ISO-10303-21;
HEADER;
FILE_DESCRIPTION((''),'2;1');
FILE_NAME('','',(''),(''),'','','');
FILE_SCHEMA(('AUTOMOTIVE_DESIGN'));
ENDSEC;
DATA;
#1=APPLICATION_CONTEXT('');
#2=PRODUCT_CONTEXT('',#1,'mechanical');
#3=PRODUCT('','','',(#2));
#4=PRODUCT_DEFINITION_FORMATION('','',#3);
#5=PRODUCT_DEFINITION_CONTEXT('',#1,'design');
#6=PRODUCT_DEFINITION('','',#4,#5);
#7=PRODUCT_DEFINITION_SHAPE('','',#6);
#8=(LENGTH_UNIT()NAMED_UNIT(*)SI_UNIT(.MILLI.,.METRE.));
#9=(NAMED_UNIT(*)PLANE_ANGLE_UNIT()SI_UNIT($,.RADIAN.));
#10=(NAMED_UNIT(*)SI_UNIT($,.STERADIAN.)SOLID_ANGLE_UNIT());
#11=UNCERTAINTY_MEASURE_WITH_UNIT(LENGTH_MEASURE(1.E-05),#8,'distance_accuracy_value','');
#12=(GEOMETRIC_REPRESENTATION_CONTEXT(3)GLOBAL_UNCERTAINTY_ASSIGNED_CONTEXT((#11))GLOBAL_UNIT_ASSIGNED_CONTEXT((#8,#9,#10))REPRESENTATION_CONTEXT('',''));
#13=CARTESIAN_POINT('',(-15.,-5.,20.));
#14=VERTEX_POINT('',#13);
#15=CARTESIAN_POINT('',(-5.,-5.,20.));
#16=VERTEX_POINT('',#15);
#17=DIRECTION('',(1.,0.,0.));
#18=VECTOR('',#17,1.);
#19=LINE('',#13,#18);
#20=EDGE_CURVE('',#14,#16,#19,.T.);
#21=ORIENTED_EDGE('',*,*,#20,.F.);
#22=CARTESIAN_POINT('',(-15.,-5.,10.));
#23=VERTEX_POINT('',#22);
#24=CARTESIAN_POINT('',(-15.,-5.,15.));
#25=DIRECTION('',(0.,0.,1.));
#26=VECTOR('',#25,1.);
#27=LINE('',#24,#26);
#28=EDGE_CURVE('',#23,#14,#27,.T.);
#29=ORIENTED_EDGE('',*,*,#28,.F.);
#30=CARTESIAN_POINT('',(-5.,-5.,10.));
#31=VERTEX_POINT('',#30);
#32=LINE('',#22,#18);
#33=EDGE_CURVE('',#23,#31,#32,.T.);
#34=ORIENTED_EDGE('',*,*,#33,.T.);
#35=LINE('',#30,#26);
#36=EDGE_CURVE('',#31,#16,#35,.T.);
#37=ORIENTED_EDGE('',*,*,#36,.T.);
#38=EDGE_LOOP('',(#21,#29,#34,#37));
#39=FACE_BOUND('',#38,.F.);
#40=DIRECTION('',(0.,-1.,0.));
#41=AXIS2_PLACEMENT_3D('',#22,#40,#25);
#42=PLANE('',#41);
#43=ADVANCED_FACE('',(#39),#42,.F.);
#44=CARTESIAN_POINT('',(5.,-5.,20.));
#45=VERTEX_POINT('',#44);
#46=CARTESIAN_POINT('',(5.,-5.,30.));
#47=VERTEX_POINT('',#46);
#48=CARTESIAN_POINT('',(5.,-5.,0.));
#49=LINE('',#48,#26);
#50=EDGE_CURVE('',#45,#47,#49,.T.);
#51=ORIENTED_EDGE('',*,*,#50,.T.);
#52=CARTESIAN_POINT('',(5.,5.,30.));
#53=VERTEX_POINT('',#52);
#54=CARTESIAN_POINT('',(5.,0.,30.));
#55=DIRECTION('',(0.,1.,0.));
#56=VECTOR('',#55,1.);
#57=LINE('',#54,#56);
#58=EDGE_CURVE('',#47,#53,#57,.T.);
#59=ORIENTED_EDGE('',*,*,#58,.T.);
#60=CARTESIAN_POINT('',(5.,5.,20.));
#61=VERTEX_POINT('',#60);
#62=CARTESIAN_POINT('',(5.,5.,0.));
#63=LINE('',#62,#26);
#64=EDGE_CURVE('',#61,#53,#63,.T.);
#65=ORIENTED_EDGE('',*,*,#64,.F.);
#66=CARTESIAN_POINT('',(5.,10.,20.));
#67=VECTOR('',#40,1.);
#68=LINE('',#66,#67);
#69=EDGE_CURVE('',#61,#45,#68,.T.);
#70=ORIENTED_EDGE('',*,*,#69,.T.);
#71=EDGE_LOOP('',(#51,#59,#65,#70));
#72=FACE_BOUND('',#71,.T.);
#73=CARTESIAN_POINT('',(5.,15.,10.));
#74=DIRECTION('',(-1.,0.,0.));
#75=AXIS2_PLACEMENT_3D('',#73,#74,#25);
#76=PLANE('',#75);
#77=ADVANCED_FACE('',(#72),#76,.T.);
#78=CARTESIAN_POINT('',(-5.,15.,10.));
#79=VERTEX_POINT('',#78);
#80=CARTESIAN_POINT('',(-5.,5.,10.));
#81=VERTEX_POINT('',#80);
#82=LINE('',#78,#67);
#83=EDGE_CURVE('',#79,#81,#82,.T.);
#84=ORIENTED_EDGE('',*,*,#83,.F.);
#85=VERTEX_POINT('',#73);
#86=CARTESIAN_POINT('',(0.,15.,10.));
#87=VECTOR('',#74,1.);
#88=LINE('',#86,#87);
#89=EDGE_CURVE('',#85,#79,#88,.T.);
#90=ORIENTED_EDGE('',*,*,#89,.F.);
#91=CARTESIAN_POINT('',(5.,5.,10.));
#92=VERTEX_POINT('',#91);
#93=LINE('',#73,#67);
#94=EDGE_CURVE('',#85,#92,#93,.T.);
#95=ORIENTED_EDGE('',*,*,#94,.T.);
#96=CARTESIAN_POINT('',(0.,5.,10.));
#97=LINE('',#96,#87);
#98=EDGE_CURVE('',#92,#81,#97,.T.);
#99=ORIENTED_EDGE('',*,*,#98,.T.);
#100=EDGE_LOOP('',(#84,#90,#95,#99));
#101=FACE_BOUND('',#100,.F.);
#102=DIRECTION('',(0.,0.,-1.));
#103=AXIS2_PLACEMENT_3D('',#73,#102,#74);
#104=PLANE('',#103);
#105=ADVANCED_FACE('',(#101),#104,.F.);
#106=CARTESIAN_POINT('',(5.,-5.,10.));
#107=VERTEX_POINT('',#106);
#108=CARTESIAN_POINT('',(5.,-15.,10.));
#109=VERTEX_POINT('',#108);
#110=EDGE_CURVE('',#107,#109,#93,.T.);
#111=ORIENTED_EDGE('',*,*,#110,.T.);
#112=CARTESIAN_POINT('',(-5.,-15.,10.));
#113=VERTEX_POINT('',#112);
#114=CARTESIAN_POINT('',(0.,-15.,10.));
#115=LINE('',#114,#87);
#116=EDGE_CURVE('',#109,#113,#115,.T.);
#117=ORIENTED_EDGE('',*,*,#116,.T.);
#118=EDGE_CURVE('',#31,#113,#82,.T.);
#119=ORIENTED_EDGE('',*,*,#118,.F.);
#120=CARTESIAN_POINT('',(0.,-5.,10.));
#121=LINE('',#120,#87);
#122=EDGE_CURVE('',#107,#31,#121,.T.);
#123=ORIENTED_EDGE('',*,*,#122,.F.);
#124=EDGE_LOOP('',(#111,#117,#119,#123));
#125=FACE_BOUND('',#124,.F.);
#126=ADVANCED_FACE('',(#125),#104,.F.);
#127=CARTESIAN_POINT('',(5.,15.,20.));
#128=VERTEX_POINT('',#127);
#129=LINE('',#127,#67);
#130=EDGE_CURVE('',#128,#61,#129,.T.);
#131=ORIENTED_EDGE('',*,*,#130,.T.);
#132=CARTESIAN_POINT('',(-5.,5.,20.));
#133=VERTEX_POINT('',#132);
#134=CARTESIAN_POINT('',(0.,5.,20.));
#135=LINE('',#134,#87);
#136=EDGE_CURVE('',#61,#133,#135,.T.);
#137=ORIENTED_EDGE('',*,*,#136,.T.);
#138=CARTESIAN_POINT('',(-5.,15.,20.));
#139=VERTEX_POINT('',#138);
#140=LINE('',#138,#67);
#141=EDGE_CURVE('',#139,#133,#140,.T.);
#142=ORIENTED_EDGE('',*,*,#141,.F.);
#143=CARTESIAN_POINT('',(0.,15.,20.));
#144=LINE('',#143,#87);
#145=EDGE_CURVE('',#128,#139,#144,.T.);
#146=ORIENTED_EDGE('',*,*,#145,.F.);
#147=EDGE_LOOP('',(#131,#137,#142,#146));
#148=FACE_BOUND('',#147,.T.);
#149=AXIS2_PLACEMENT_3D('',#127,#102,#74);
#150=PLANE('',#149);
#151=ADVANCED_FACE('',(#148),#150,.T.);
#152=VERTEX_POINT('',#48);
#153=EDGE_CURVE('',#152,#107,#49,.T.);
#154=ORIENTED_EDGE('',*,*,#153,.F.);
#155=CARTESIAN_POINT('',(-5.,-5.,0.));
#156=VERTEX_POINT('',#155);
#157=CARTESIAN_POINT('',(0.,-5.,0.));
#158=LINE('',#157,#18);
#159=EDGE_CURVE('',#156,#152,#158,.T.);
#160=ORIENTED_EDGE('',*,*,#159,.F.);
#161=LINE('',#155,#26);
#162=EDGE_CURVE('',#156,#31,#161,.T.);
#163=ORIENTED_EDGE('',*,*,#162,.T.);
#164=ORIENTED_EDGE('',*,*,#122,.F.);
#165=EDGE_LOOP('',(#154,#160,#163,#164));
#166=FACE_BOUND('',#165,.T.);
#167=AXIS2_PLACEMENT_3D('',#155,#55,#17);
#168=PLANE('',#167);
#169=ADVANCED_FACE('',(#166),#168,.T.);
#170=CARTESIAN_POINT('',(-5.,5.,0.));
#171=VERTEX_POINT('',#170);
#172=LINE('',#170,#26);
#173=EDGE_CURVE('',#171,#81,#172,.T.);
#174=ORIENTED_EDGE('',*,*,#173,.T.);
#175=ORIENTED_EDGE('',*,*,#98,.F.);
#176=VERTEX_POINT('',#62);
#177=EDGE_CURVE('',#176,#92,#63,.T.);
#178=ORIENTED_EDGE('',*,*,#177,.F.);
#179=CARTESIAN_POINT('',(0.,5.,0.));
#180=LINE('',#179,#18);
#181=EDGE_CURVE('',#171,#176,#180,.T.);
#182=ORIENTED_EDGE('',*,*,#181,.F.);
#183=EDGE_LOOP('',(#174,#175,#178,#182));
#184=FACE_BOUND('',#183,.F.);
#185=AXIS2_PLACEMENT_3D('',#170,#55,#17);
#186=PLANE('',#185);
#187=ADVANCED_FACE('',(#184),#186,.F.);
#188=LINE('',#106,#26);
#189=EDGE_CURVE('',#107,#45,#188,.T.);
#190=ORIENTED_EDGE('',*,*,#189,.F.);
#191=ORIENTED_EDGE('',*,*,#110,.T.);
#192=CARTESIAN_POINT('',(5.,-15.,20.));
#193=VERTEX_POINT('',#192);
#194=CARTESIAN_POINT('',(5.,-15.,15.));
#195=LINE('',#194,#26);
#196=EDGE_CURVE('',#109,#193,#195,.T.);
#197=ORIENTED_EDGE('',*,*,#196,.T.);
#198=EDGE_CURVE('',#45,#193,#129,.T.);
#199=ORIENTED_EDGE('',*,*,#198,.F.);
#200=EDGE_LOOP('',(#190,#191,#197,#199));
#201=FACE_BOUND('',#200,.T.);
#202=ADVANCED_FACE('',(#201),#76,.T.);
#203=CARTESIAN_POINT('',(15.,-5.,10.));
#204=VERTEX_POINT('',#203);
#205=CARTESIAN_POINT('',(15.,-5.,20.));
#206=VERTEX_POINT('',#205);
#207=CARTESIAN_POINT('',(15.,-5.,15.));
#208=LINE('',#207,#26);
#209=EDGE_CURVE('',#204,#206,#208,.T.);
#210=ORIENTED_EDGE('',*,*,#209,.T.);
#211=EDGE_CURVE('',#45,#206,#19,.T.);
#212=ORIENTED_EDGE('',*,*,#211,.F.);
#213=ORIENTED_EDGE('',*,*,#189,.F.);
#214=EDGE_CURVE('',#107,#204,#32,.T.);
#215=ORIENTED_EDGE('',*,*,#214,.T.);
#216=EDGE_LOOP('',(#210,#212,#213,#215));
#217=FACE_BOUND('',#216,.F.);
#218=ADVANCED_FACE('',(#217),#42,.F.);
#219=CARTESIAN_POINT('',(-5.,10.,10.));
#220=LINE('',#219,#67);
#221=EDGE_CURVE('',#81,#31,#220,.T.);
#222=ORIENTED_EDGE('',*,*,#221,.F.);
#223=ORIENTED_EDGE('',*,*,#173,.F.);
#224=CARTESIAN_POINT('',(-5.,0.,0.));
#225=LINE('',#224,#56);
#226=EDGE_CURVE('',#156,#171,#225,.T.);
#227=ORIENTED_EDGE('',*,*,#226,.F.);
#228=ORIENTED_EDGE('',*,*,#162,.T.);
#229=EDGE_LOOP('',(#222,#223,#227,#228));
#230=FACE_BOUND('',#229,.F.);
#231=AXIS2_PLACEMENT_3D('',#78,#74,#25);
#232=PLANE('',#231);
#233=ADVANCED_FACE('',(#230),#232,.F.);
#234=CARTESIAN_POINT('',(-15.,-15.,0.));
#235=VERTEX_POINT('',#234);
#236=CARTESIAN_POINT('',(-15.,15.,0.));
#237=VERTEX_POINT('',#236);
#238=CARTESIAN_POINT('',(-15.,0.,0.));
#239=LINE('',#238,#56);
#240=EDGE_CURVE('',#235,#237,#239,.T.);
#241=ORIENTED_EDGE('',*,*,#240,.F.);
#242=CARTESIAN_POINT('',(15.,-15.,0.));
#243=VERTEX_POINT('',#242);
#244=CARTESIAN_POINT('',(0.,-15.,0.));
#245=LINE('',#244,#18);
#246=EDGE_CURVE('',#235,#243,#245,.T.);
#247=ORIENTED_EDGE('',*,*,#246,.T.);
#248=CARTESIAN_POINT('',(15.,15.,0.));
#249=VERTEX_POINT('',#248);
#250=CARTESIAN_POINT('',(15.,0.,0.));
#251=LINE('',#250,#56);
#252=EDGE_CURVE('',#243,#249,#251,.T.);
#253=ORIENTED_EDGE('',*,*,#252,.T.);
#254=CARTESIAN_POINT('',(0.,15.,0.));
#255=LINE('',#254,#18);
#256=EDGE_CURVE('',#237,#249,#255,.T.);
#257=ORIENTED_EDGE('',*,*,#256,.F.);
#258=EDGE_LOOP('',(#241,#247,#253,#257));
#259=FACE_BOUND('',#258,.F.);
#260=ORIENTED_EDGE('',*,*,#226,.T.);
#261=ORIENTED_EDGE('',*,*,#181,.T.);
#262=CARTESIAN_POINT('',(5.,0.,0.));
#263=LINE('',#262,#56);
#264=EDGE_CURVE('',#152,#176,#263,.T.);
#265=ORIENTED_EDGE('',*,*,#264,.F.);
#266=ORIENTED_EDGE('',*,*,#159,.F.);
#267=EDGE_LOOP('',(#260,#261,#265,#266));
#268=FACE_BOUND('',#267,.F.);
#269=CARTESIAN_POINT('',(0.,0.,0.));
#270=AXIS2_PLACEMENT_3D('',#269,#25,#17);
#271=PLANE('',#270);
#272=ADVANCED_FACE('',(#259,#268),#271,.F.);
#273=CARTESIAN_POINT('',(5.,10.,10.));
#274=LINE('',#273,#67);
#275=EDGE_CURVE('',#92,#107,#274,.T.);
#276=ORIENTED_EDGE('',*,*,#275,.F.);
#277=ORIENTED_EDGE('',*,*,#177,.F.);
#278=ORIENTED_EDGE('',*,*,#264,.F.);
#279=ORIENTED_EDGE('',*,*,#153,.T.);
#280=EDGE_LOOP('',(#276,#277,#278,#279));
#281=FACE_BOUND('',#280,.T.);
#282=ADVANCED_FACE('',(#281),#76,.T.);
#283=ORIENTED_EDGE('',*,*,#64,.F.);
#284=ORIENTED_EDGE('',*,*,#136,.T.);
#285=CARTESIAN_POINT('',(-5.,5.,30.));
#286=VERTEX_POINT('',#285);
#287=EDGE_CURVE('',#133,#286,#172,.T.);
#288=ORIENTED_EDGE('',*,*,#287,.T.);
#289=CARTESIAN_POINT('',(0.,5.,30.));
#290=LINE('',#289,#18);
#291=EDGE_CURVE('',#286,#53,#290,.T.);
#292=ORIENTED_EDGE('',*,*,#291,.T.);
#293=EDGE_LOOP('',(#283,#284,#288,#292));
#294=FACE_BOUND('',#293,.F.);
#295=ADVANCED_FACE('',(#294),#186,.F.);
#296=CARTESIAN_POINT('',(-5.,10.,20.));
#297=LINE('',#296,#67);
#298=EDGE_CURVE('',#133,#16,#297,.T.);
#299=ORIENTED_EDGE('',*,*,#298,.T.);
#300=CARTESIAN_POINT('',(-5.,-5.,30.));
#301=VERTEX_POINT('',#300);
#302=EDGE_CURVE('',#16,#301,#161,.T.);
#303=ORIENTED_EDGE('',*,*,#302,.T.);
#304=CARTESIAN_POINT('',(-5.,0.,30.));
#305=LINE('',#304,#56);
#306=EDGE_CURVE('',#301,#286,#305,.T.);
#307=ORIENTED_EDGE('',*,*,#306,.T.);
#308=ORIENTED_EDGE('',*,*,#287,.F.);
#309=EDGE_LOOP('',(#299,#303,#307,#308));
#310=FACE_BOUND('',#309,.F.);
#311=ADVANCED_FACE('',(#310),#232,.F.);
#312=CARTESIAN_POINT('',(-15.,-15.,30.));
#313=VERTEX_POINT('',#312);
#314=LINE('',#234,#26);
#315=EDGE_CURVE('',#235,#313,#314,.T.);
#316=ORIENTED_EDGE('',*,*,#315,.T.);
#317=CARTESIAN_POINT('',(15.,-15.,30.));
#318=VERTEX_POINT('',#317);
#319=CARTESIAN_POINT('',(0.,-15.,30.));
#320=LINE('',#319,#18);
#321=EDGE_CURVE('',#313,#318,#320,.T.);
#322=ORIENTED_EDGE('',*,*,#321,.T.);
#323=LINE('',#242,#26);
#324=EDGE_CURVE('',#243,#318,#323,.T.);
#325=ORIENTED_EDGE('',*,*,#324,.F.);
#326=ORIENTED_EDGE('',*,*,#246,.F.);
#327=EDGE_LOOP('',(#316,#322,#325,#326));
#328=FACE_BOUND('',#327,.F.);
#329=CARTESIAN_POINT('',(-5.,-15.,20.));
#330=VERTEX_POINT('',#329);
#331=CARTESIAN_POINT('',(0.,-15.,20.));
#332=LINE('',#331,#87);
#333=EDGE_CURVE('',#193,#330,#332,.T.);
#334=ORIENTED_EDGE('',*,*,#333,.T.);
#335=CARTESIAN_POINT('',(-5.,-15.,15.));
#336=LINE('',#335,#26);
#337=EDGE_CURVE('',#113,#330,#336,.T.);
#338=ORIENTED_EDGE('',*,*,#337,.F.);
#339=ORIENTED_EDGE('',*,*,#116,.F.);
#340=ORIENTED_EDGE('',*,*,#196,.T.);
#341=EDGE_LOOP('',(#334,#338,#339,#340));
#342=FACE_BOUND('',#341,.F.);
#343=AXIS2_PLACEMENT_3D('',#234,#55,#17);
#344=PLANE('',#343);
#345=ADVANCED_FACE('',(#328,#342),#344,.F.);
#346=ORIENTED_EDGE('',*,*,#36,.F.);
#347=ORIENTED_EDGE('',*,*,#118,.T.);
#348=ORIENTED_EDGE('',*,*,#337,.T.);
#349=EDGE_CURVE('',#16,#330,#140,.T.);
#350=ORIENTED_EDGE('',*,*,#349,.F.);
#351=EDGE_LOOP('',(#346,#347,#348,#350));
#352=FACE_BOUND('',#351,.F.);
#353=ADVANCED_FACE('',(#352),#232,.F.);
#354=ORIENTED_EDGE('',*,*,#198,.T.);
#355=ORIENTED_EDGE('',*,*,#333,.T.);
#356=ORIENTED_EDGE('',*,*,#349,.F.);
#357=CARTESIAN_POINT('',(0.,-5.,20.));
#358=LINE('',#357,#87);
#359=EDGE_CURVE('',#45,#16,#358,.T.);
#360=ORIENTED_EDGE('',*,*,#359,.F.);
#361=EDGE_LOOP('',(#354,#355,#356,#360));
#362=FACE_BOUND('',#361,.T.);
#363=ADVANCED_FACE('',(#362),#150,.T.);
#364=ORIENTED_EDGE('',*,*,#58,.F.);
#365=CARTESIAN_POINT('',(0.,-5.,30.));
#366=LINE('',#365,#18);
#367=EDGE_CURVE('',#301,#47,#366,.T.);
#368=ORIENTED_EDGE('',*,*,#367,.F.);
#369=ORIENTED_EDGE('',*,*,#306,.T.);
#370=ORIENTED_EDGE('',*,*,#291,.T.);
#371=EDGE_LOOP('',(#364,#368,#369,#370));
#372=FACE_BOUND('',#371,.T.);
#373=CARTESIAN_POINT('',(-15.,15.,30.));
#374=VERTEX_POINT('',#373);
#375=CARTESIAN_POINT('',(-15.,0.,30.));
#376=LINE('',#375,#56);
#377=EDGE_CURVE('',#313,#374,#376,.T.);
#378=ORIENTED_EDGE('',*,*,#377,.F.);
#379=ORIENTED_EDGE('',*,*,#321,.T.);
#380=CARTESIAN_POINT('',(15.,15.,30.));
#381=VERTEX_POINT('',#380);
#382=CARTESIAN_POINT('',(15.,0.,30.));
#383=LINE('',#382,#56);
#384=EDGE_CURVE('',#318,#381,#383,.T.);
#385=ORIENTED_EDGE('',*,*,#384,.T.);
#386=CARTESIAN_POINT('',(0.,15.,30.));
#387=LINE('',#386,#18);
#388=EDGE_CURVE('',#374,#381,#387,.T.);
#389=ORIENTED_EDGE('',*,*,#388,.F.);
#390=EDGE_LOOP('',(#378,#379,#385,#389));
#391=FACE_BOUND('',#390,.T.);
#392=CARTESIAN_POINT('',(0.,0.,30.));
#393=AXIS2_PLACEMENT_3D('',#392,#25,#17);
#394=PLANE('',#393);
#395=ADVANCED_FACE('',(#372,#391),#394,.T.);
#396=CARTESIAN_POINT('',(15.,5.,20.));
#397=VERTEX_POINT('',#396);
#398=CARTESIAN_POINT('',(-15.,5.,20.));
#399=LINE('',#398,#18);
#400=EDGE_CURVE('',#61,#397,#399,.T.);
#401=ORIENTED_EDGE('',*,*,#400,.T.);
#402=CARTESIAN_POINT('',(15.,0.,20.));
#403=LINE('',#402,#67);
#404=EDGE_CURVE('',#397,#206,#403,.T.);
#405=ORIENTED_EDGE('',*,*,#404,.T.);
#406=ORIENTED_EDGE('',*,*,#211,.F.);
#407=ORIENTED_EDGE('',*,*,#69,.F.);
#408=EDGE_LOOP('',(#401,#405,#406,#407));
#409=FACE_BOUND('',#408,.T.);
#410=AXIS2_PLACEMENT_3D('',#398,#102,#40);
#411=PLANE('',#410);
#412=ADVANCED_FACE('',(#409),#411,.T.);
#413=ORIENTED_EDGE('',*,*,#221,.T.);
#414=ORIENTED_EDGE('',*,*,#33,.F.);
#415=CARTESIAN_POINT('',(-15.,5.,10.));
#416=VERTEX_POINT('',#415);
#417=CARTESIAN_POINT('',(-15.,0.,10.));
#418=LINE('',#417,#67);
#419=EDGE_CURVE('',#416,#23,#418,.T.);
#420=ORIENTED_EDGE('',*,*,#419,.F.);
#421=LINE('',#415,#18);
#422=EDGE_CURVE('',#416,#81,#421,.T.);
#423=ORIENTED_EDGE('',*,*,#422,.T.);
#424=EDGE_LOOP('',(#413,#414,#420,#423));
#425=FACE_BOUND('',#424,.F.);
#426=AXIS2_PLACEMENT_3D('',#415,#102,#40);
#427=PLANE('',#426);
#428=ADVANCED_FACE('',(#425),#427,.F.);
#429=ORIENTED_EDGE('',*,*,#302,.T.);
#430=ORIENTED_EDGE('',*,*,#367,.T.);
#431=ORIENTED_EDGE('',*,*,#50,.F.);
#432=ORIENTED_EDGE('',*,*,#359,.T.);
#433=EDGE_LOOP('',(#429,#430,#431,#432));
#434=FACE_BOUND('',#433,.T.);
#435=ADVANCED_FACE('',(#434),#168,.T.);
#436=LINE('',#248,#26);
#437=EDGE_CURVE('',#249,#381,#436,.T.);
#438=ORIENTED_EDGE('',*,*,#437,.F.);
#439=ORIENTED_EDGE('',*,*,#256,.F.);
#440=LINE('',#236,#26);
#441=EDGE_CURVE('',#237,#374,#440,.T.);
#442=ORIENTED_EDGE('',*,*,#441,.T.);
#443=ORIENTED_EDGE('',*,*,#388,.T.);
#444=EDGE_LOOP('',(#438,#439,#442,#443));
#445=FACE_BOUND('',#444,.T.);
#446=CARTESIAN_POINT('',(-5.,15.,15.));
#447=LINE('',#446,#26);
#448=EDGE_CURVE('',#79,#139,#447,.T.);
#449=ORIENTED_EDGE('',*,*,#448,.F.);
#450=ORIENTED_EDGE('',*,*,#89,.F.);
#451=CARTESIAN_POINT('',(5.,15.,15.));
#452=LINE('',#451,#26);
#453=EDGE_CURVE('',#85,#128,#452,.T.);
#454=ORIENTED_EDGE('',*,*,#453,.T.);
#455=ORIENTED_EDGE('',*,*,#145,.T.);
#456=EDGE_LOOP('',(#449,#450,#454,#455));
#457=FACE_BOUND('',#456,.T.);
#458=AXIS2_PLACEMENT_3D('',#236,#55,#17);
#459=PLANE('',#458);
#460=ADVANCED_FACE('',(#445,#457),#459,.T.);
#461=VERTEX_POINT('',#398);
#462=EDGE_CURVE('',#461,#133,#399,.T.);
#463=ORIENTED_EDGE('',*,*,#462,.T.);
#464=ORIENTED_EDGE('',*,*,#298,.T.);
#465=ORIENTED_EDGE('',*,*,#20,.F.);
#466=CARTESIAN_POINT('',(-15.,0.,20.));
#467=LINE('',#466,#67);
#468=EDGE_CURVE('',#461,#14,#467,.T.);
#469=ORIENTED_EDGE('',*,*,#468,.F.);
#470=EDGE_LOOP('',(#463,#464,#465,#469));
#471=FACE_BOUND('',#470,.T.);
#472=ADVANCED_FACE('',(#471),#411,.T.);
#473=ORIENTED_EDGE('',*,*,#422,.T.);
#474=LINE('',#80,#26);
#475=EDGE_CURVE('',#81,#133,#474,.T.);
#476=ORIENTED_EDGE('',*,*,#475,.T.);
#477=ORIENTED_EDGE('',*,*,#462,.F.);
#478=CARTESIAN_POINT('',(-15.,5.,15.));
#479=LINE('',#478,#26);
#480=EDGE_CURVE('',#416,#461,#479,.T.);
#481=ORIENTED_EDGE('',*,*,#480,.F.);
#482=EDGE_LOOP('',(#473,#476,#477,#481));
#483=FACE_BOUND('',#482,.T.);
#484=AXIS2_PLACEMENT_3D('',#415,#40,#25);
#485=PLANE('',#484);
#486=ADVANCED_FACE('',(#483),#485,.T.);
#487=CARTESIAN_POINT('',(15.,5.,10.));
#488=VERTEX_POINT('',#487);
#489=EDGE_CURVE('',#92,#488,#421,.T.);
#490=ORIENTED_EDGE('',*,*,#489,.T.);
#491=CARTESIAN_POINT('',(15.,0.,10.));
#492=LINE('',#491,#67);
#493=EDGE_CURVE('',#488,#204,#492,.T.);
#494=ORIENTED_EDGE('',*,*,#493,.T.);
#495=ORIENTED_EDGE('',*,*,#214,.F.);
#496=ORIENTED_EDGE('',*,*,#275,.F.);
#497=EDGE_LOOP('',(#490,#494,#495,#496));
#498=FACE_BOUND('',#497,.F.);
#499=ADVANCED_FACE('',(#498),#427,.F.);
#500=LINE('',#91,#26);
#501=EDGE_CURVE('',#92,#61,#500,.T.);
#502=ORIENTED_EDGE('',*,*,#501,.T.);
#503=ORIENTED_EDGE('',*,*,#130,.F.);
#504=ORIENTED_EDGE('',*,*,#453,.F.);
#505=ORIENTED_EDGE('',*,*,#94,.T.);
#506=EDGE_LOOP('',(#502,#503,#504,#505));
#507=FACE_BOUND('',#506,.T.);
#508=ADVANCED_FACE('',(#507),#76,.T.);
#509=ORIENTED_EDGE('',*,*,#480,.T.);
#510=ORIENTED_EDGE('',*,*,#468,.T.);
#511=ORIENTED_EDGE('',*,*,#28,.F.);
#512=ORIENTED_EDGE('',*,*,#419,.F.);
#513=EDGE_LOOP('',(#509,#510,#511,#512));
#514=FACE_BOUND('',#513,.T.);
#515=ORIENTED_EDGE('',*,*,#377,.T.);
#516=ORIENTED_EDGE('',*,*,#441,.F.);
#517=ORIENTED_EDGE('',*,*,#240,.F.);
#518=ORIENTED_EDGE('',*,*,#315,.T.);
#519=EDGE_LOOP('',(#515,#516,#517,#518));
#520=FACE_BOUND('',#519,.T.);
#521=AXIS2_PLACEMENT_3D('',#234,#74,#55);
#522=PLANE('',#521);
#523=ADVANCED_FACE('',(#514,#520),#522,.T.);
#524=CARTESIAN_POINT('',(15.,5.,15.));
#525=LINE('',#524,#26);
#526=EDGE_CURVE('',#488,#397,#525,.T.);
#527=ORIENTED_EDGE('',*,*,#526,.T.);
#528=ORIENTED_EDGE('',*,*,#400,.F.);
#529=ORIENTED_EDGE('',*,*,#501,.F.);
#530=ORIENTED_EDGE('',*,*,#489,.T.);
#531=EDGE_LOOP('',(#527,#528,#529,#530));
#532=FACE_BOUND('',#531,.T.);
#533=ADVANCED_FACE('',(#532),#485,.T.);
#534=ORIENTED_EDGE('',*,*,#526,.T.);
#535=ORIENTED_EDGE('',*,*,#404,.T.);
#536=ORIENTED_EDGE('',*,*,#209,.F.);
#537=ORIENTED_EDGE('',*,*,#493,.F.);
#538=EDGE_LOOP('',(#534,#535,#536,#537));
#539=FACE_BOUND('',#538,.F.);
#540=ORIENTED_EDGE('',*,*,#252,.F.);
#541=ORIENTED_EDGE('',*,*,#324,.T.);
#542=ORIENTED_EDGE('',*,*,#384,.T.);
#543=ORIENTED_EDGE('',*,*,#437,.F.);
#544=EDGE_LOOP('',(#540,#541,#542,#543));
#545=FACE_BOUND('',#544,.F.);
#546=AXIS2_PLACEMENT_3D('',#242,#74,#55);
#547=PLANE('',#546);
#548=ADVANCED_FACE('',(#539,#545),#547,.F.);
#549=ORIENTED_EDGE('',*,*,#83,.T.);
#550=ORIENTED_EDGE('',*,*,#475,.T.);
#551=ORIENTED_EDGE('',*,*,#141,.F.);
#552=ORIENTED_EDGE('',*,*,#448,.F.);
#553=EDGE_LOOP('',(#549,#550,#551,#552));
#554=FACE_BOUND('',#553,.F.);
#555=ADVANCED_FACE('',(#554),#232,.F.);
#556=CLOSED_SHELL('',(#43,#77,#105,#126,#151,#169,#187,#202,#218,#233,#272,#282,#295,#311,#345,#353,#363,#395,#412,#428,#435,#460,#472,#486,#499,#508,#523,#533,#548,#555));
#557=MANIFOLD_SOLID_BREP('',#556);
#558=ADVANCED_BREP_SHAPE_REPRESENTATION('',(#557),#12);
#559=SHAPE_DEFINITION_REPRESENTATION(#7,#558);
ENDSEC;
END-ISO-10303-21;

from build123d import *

# Parameters (mm, degrees)
F1_W     = 30
F1_H     = 30
F1_W_2   = 10
F1_H_2   = 10
F2_DEPTH = 30
F3_W     = 10
F3_H     = 10
F4_DEPTH = 30
F5_W     = 10
F5_H     = 10
F6_DEPTH = 30


with BuildPart() as f2:
    # F1 (on Top) → F2 (new body)
    with BuildSketch(Plane.XY):
        Rectangle(F1_W, F1_H)
        Rectangle(F1_W_2, F1_H_2, mode=Mode.SUBTRACT)
    extrude(amount=F2_DEPTH)

    # F3 (on face) → F4 (cut, through all)
    with BuildSketch(Plane(origin=(0, 15, 0), x_dir=(-1, 0, 0), z_dir=(0, 1, 0))):
        with Locations((0, 15)):
            Rectangle(F3_W, F3_H)
    extrude(amount=-F4_DEPTH, mode=Mode.SUBTRACT)

    # F5 (on face) → F6 (cut, through all)
    with BuildSketch(Plane(origin=(-15, 0, 0), x_dir=(0, -1, 0), z_dir=(-1, 0, 0))):
        with Locations((0, 15)):
            Rectangle(F5_W, F5_H)
    extrude(amount=-F6_DEPTH, mode=Mode.SUBTRACT)


solid = f2.part
